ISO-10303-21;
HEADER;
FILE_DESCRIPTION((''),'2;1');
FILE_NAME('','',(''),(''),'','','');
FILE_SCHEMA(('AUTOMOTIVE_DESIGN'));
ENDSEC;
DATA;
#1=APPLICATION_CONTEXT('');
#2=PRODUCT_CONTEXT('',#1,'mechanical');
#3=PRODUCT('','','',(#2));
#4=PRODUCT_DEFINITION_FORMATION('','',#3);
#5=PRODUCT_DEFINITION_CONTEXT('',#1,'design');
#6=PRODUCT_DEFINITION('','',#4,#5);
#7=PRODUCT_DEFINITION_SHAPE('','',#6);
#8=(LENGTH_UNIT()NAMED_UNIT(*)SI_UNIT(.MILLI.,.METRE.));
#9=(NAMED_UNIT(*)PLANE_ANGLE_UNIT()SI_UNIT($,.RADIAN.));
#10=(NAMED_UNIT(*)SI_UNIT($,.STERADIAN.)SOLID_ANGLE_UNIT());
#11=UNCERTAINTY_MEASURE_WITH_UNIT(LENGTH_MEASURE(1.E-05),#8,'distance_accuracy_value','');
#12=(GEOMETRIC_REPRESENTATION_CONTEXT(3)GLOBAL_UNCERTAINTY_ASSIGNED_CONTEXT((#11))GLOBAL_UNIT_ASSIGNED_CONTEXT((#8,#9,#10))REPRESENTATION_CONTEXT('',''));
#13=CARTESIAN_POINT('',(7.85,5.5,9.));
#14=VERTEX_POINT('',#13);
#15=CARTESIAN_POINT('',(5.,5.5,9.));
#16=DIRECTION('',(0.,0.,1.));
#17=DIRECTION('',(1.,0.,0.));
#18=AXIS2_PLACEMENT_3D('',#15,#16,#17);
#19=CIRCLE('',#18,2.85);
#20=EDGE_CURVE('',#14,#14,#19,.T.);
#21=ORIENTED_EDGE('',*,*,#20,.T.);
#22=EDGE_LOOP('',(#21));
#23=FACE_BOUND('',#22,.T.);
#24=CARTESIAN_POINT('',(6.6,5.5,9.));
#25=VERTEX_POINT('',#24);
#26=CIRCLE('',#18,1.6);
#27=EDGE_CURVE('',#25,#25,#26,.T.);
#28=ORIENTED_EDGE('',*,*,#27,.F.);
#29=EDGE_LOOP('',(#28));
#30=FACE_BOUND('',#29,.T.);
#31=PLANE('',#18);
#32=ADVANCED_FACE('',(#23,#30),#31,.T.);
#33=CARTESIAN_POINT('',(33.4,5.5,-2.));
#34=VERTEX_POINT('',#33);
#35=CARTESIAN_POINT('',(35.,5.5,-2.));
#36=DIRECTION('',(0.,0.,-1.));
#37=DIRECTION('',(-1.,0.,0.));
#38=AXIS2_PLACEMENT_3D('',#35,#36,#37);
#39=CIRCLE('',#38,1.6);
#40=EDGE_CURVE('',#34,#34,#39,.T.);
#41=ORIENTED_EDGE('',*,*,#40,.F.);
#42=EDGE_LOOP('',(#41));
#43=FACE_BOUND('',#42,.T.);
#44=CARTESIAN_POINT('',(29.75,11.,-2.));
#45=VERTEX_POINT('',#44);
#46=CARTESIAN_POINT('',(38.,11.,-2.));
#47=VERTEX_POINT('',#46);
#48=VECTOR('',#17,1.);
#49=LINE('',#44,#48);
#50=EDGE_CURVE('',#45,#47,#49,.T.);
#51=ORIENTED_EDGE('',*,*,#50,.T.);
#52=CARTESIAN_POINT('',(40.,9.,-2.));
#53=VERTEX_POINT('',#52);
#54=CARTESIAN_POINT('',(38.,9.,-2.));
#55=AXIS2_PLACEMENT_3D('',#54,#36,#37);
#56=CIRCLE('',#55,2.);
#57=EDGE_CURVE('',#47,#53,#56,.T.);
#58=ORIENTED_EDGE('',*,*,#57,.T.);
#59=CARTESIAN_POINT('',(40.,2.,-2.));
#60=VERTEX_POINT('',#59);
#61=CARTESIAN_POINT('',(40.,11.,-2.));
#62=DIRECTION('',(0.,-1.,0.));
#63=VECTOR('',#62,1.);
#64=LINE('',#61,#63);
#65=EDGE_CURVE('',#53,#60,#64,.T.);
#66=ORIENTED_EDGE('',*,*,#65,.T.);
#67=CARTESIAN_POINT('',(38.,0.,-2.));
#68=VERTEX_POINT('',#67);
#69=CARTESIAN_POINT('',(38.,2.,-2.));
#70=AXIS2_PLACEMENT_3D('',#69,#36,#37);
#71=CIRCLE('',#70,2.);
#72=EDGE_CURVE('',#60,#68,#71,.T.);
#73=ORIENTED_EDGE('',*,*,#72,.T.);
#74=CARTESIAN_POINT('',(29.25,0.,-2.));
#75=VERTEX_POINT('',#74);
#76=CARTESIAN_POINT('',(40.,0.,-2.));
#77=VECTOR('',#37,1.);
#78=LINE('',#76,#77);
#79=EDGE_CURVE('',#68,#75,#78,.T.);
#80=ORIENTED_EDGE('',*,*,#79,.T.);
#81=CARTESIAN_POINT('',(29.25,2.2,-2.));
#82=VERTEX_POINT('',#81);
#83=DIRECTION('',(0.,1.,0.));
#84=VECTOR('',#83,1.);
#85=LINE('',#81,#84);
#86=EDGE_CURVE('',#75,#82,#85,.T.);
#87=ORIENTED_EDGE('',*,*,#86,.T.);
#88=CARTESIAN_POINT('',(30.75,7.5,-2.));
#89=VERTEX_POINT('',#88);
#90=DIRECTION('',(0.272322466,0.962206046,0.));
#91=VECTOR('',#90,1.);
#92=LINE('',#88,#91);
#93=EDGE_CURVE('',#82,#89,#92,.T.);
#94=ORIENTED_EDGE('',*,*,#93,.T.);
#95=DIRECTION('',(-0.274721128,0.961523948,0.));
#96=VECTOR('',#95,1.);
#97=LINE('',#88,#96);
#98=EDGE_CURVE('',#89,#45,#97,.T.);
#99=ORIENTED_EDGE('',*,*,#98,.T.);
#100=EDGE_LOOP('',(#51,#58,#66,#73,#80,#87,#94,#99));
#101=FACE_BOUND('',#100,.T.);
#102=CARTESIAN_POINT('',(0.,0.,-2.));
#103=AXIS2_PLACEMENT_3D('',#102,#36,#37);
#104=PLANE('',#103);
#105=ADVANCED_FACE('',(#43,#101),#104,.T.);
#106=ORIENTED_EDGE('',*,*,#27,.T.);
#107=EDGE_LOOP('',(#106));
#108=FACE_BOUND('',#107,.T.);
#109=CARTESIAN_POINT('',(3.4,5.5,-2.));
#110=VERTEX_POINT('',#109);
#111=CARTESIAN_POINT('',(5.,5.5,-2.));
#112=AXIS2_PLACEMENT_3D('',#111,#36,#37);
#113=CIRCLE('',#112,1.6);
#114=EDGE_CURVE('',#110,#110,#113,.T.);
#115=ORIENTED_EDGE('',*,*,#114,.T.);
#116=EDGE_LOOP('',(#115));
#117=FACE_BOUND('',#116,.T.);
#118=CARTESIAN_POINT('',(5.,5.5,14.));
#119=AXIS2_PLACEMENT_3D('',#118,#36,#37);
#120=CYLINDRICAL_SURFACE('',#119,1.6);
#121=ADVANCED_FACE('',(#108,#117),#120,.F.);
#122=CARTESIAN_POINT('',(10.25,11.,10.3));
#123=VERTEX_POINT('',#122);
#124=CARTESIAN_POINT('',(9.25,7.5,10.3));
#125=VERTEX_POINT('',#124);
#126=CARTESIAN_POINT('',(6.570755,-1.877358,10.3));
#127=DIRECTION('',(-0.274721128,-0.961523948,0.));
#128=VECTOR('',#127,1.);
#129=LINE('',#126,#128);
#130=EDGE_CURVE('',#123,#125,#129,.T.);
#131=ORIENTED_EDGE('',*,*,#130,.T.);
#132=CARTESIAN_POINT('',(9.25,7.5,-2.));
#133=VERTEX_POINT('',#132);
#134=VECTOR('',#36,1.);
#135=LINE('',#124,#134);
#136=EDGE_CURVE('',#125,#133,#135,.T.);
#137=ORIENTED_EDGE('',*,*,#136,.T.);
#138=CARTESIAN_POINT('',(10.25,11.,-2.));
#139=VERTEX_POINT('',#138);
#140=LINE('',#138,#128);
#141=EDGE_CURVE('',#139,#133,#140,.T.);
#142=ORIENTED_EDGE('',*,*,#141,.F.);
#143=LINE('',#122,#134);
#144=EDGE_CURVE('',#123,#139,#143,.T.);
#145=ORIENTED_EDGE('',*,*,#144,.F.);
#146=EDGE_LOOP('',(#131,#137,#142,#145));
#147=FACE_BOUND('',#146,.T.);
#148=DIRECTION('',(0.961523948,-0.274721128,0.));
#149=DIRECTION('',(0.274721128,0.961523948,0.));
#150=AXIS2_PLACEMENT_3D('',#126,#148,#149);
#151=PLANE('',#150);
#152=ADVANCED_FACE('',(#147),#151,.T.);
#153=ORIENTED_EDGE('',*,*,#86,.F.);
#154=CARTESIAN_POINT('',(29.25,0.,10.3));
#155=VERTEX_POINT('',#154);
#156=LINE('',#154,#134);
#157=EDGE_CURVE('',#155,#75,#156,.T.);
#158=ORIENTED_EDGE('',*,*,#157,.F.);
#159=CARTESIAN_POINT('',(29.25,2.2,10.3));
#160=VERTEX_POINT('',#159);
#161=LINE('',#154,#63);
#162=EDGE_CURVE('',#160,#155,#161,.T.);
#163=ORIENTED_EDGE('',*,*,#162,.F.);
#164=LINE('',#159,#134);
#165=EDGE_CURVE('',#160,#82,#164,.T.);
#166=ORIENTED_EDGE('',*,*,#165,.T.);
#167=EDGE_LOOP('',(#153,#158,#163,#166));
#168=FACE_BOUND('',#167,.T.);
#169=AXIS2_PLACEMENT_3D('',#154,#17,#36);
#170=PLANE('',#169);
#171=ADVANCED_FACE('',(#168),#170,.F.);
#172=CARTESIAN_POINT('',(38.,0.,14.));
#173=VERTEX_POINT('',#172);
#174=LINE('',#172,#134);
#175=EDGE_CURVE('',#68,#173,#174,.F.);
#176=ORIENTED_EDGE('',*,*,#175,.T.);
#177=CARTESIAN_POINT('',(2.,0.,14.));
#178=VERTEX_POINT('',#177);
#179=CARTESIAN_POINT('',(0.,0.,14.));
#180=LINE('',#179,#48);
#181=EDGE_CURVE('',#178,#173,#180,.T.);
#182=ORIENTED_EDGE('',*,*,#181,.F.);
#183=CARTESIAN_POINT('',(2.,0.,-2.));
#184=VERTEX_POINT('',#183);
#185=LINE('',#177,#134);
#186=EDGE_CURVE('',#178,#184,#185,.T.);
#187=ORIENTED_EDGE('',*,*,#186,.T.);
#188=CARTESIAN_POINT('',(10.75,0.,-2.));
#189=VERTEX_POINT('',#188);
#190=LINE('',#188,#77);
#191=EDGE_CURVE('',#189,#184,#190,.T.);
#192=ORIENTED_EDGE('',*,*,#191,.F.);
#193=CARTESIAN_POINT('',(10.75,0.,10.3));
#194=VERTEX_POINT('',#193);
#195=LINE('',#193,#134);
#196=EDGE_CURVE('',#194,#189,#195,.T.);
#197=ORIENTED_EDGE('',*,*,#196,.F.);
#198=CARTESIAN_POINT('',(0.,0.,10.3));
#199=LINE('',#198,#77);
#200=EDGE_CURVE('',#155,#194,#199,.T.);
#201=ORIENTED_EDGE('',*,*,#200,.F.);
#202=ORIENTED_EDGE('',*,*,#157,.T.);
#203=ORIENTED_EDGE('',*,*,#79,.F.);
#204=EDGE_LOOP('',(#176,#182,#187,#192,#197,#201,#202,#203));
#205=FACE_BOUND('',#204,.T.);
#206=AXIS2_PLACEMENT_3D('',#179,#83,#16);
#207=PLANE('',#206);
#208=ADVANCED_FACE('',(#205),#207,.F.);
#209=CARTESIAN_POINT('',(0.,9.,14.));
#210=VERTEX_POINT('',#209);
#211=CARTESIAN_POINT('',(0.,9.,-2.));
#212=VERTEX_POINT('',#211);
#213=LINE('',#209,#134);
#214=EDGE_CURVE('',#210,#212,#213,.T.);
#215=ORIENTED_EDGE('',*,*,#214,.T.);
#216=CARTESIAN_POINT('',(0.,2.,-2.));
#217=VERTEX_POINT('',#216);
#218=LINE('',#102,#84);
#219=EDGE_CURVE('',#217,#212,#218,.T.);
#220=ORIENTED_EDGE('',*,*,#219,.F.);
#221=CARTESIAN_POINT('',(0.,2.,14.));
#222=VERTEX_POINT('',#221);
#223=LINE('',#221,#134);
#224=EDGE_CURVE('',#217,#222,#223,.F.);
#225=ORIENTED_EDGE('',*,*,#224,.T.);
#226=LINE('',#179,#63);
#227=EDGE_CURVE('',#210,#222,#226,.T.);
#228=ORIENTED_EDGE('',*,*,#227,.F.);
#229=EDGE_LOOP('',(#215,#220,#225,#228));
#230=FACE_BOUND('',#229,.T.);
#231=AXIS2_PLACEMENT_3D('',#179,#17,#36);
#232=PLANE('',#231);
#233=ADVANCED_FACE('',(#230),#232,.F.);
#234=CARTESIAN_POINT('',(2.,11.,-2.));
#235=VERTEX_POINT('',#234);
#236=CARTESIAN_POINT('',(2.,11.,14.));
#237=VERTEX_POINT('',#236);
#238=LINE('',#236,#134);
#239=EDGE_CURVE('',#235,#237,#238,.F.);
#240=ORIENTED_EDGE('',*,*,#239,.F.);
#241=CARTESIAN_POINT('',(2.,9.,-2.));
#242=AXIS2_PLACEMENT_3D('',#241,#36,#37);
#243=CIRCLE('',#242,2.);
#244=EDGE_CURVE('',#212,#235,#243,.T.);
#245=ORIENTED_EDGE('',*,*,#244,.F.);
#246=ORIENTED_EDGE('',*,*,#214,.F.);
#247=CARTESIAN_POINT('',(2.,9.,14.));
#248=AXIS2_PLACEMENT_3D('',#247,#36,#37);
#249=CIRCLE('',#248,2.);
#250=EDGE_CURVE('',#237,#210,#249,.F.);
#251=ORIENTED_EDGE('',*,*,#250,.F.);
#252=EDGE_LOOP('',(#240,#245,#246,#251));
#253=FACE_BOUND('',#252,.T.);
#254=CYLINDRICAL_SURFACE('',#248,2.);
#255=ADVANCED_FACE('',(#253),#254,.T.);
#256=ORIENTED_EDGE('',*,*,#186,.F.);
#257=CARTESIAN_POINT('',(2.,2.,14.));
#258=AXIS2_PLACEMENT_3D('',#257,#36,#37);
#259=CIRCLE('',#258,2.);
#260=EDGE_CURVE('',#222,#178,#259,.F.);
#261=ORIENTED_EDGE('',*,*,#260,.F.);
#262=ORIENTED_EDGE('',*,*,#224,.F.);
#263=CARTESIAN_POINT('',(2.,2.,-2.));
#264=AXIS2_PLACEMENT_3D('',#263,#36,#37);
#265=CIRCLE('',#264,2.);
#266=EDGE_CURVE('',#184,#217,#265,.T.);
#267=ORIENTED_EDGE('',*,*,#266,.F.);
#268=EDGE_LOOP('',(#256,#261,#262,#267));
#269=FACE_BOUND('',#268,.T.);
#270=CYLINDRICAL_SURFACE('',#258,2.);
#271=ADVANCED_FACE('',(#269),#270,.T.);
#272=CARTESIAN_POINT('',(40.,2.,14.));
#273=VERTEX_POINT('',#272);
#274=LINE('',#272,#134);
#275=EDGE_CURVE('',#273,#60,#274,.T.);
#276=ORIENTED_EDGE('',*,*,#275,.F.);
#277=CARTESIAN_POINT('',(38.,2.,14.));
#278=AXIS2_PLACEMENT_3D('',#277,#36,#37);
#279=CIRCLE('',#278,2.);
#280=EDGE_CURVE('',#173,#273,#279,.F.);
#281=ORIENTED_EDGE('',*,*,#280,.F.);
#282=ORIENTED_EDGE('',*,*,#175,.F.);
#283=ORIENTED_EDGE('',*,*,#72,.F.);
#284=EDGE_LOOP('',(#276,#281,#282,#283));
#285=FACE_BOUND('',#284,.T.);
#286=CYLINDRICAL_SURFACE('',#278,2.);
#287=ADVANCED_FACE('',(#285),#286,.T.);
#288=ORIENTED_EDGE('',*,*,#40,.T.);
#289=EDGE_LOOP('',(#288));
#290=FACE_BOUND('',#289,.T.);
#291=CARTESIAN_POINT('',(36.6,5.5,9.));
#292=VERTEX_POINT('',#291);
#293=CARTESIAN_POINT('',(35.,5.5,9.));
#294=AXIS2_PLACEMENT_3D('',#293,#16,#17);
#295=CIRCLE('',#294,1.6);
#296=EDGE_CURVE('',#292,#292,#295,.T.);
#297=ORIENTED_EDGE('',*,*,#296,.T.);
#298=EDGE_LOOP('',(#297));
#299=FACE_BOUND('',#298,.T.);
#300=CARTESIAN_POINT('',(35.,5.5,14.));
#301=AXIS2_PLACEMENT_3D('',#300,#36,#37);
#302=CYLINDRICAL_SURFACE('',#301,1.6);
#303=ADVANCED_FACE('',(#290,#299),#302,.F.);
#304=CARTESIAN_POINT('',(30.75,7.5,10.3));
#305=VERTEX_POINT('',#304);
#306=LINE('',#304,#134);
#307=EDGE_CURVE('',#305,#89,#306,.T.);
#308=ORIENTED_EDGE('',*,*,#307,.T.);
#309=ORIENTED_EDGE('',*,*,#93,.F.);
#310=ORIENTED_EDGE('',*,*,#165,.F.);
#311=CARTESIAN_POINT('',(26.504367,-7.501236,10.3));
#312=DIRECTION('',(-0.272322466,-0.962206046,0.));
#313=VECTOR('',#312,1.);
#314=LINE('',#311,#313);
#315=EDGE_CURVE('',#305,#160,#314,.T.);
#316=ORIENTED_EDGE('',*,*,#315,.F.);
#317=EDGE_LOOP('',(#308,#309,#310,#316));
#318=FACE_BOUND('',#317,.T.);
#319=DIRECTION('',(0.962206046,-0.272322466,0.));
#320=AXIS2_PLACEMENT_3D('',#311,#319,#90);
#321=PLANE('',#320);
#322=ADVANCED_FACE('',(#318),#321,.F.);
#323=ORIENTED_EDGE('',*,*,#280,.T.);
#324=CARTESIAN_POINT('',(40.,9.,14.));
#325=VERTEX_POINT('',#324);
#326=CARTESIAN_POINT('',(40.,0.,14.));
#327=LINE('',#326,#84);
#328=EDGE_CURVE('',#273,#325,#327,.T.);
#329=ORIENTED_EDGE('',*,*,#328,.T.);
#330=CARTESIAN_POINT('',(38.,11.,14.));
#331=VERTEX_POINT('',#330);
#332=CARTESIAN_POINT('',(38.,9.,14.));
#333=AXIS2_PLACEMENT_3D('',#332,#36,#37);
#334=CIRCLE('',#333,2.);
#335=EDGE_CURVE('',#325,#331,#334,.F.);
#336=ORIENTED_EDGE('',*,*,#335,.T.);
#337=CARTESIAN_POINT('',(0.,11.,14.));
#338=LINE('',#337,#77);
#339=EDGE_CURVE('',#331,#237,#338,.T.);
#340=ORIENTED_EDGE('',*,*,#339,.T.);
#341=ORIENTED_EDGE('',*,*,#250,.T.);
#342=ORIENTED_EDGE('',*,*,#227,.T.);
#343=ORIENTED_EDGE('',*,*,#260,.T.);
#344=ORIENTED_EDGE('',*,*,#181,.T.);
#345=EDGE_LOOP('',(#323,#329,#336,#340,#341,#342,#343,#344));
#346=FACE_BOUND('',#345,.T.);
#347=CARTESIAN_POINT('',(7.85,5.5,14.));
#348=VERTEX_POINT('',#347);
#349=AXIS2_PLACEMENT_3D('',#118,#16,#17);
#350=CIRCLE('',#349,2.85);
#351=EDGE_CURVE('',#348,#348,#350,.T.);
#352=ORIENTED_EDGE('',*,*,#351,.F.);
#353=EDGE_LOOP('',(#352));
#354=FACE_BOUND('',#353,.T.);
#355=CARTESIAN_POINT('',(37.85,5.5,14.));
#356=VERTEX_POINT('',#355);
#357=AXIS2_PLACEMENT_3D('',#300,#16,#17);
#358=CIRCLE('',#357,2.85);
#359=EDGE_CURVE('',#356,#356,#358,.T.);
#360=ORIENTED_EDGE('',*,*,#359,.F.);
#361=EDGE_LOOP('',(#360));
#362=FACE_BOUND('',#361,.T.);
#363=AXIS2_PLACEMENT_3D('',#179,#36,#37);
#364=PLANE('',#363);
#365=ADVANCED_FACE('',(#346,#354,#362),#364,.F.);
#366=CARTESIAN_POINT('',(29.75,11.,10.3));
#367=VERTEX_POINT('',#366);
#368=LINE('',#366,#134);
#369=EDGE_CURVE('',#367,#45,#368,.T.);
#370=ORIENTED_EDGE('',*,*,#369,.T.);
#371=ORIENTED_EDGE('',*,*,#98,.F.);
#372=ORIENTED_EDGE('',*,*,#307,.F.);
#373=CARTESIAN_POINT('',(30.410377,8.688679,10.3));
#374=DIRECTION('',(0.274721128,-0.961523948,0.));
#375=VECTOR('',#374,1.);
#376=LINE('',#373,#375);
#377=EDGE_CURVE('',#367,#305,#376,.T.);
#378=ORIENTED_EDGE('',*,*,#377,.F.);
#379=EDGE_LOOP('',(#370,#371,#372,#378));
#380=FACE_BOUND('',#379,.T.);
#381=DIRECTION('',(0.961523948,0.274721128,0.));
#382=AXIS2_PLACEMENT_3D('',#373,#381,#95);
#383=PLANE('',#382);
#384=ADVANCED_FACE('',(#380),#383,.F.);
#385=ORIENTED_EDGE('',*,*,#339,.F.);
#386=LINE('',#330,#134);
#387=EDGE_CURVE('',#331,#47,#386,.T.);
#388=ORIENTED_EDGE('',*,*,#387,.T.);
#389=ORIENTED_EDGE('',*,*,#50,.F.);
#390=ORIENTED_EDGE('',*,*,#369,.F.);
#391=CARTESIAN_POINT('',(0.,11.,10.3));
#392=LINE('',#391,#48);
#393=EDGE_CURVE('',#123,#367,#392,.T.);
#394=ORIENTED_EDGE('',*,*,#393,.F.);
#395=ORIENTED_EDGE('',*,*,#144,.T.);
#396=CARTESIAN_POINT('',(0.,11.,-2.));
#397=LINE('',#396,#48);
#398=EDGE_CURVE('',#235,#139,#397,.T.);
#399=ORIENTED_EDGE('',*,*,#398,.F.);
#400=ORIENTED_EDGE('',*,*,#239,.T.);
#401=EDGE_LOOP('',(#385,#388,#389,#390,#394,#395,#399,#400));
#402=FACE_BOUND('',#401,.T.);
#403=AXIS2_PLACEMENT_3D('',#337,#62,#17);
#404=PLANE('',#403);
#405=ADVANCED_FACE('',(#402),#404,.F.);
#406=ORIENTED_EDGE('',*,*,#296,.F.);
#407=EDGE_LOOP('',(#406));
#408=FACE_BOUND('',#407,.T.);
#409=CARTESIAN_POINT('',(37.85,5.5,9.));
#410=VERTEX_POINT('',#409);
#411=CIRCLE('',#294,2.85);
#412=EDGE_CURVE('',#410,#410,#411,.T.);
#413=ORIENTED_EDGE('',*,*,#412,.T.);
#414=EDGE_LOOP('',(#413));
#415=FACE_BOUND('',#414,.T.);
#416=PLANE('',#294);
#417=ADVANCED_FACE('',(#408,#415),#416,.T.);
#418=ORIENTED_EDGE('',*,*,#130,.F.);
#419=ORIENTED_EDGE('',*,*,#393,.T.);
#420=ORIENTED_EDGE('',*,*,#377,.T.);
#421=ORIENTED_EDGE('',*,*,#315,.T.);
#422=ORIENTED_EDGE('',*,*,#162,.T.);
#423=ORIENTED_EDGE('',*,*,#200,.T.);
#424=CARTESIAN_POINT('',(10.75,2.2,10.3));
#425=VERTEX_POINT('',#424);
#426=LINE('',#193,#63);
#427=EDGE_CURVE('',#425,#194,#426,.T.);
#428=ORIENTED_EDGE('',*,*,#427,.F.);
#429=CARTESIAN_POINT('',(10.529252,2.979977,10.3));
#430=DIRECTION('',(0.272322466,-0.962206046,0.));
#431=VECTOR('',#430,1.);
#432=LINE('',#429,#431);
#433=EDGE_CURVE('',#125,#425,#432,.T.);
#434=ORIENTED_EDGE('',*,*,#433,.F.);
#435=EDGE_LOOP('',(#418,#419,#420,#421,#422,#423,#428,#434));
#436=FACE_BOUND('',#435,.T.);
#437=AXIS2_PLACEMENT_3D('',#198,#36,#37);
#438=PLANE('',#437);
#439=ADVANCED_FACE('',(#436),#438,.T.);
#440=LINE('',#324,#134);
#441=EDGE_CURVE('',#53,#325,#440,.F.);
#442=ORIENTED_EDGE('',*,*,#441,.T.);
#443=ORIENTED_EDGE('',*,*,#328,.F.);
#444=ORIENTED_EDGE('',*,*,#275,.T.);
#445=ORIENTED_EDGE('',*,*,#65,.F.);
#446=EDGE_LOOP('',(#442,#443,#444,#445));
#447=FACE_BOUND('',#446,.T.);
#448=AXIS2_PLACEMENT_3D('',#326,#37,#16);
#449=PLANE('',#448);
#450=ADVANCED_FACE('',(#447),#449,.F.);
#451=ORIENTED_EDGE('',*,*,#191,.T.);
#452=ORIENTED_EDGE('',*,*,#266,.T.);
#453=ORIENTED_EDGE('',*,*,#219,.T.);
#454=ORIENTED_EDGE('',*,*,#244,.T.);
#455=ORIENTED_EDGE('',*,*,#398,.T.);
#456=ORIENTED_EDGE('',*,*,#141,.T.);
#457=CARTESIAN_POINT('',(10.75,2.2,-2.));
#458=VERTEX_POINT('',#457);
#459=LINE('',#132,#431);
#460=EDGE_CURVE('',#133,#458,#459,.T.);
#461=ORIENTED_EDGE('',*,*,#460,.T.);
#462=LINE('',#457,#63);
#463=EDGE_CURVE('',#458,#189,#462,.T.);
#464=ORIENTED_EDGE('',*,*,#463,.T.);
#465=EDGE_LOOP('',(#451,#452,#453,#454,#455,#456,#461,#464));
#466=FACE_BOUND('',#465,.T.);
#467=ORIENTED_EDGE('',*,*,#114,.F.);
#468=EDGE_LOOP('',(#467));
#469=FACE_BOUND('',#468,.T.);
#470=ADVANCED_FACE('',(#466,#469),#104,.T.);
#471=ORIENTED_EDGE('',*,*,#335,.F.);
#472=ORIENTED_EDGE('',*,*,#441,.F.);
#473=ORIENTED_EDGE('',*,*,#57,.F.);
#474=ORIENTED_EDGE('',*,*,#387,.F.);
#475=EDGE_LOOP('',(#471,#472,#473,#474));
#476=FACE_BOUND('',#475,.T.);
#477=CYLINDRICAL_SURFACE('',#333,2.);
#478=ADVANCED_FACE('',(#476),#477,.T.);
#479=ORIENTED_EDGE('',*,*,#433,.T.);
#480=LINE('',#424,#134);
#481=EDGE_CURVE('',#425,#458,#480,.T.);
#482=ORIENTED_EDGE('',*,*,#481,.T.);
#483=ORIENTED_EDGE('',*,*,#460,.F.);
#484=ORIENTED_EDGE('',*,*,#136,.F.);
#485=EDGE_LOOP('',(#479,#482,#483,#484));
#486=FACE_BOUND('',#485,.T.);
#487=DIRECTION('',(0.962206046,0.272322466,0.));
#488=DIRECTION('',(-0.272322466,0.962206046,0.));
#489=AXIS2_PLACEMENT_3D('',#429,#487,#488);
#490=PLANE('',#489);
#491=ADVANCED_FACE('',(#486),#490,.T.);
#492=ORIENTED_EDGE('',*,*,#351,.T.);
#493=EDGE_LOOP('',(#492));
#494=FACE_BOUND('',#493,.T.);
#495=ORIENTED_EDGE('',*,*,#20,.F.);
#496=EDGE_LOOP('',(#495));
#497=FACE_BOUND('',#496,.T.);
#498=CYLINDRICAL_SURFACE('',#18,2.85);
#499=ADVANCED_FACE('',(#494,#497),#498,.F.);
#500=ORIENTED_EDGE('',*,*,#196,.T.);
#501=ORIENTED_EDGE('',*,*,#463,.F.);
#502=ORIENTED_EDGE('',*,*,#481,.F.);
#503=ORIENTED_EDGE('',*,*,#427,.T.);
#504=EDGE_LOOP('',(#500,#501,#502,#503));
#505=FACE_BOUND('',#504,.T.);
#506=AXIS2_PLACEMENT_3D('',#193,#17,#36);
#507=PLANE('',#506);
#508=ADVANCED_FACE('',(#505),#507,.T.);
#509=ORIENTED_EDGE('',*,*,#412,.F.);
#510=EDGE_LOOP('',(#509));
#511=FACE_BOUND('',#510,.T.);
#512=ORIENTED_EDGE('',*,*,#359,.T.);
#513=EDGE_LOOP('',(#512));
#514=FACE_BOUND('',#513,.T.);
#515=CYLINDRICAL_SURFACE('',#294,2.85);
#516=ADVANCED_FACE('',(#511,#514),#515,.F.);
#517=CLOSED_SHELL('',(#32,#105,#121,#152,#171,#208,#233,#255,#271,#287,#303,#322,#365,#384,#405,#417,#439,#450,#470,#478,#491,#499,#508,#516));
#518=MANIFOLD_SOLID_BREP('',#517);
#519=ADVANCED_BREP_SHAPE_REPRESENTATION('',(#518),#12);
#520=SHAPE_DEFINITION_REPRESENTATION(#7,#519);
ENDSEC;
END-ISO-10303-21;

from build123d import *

# Parameters (mm, degrees)
SKETCH_1_W          = 40
SKETCH_1_H          = 11
SKETCH_1_R          = 1.6
EXTRUDE_1_DEPTH     = 14
CUT_EXTRUDE_1_DEPTH = 10.3
SKETCH_3_R          = 2.85
CUT_EXTRUDE_2_DEPTH = 5
EXTRUDE_START       = 2
SKETCH_4_R          = 1.6
EXTRUDE_2_DEPTH     = 2
FILLET_1_R          = 2


with BuildPart() as part:
    # 草图1 → 凸台-拉伸1 (new body)
    with BuildSketch(Plane.XY):
        with Locations((20, 5.5)):
            Rectangle(SKETCH_1_W, SKETCH_1_H)
        with Locations((5, 5.5)):
            Circle(SKETCH_1_R, mode=Mode.SUBTRACT)
        with Locations((35, 5.5)):
            Circle(SKETCH_1_R, mode=Mode.SUBTRACT)
    extrude(amount=EXTRUDE_1_DEPTH)

    # 草图2 → 切除-拉伸1 (cut)
    with BuildSketch(Plane(origin=(0, 0, 0), x_dir=(-1, 0, 0), z_dir=(0, 0, -1))):
        Polygon((-10.25, 11), (-20, 11), (-20, 0), (-10.75, 0), (-10.75, 2.2), (-9.25, 7.5), align=None)
        Polygon((-20, 11), (-29.75, 11), (-30.75, 7.5), (-29.25, 2.2), (-29.25, 0), (-20, 0), align=None)
    extrude(amount=-CUT_EXTRUDE_1_DEPTH, mode=Mode.SUBTRACT)

    # 草图3 → 切除-拉伸2 (cut)
    with BuildSketch(Plane.XY.offset(14)):
        with Locations((5, 5.5)):
            Circle(SKETCH_3_R)
        with Locations((35, 5.5)):
            Circle(SKETCH_3_R)
    extrude(amount=-CUT_EXTRUDE_2_DEPTH, mode=Mode.SUBTRACT)

    # 草图4 → 凸台-拉伸2 (add)
    # profile 1 of 2: a face of its own
    with BuildSketch(Plane(origin=(0, 0, 0), x_dir=(-1, 0, 0), z_dir=(0, 0, -1)).offset(EXTRUDE_START)):
        Polygon((-10.25, 11), (-9.25, 7.5), (-10.75, 2.2), (-10.75, 0), (0, 0), (0, 11), align=None)
        with Locations((-5, 5.5)):
            Circle(SKETCH_4_R, mode=Mode.SUBTRACT)
    # profile 2 of 2: a face of its own
    with BuildSketch(Plane(origin=(0, 0, 0), x_dir=(-1, 0, 0), z_dir=(0, 0, -1)).offset(EXTRUDE_START)):
        Polygon((-30.75, 7.5), (-29.75, 11), (-40, 11), (-40, 0), (-29.25, 0), (-29.25, 2.2), align=None)
        with Locations((-35, 5.5)):
            Circle(SKETCH_4_R, mode=Mode.SUBTRACT)
    extrude(amount=-EXTRUDE_2_DEPTH)

    # 圆角1
    fillet_1_edges = [part.edges().sort_by_distance(p)[0] for p in [
        (0, 11, 6),
        (40, 11, 6),
        (40, 0, 6),
        (0, 0, 6),
    ]]
    fillet(fillet_1_edges, radius=FILLET_1_R)


solid = part.part
